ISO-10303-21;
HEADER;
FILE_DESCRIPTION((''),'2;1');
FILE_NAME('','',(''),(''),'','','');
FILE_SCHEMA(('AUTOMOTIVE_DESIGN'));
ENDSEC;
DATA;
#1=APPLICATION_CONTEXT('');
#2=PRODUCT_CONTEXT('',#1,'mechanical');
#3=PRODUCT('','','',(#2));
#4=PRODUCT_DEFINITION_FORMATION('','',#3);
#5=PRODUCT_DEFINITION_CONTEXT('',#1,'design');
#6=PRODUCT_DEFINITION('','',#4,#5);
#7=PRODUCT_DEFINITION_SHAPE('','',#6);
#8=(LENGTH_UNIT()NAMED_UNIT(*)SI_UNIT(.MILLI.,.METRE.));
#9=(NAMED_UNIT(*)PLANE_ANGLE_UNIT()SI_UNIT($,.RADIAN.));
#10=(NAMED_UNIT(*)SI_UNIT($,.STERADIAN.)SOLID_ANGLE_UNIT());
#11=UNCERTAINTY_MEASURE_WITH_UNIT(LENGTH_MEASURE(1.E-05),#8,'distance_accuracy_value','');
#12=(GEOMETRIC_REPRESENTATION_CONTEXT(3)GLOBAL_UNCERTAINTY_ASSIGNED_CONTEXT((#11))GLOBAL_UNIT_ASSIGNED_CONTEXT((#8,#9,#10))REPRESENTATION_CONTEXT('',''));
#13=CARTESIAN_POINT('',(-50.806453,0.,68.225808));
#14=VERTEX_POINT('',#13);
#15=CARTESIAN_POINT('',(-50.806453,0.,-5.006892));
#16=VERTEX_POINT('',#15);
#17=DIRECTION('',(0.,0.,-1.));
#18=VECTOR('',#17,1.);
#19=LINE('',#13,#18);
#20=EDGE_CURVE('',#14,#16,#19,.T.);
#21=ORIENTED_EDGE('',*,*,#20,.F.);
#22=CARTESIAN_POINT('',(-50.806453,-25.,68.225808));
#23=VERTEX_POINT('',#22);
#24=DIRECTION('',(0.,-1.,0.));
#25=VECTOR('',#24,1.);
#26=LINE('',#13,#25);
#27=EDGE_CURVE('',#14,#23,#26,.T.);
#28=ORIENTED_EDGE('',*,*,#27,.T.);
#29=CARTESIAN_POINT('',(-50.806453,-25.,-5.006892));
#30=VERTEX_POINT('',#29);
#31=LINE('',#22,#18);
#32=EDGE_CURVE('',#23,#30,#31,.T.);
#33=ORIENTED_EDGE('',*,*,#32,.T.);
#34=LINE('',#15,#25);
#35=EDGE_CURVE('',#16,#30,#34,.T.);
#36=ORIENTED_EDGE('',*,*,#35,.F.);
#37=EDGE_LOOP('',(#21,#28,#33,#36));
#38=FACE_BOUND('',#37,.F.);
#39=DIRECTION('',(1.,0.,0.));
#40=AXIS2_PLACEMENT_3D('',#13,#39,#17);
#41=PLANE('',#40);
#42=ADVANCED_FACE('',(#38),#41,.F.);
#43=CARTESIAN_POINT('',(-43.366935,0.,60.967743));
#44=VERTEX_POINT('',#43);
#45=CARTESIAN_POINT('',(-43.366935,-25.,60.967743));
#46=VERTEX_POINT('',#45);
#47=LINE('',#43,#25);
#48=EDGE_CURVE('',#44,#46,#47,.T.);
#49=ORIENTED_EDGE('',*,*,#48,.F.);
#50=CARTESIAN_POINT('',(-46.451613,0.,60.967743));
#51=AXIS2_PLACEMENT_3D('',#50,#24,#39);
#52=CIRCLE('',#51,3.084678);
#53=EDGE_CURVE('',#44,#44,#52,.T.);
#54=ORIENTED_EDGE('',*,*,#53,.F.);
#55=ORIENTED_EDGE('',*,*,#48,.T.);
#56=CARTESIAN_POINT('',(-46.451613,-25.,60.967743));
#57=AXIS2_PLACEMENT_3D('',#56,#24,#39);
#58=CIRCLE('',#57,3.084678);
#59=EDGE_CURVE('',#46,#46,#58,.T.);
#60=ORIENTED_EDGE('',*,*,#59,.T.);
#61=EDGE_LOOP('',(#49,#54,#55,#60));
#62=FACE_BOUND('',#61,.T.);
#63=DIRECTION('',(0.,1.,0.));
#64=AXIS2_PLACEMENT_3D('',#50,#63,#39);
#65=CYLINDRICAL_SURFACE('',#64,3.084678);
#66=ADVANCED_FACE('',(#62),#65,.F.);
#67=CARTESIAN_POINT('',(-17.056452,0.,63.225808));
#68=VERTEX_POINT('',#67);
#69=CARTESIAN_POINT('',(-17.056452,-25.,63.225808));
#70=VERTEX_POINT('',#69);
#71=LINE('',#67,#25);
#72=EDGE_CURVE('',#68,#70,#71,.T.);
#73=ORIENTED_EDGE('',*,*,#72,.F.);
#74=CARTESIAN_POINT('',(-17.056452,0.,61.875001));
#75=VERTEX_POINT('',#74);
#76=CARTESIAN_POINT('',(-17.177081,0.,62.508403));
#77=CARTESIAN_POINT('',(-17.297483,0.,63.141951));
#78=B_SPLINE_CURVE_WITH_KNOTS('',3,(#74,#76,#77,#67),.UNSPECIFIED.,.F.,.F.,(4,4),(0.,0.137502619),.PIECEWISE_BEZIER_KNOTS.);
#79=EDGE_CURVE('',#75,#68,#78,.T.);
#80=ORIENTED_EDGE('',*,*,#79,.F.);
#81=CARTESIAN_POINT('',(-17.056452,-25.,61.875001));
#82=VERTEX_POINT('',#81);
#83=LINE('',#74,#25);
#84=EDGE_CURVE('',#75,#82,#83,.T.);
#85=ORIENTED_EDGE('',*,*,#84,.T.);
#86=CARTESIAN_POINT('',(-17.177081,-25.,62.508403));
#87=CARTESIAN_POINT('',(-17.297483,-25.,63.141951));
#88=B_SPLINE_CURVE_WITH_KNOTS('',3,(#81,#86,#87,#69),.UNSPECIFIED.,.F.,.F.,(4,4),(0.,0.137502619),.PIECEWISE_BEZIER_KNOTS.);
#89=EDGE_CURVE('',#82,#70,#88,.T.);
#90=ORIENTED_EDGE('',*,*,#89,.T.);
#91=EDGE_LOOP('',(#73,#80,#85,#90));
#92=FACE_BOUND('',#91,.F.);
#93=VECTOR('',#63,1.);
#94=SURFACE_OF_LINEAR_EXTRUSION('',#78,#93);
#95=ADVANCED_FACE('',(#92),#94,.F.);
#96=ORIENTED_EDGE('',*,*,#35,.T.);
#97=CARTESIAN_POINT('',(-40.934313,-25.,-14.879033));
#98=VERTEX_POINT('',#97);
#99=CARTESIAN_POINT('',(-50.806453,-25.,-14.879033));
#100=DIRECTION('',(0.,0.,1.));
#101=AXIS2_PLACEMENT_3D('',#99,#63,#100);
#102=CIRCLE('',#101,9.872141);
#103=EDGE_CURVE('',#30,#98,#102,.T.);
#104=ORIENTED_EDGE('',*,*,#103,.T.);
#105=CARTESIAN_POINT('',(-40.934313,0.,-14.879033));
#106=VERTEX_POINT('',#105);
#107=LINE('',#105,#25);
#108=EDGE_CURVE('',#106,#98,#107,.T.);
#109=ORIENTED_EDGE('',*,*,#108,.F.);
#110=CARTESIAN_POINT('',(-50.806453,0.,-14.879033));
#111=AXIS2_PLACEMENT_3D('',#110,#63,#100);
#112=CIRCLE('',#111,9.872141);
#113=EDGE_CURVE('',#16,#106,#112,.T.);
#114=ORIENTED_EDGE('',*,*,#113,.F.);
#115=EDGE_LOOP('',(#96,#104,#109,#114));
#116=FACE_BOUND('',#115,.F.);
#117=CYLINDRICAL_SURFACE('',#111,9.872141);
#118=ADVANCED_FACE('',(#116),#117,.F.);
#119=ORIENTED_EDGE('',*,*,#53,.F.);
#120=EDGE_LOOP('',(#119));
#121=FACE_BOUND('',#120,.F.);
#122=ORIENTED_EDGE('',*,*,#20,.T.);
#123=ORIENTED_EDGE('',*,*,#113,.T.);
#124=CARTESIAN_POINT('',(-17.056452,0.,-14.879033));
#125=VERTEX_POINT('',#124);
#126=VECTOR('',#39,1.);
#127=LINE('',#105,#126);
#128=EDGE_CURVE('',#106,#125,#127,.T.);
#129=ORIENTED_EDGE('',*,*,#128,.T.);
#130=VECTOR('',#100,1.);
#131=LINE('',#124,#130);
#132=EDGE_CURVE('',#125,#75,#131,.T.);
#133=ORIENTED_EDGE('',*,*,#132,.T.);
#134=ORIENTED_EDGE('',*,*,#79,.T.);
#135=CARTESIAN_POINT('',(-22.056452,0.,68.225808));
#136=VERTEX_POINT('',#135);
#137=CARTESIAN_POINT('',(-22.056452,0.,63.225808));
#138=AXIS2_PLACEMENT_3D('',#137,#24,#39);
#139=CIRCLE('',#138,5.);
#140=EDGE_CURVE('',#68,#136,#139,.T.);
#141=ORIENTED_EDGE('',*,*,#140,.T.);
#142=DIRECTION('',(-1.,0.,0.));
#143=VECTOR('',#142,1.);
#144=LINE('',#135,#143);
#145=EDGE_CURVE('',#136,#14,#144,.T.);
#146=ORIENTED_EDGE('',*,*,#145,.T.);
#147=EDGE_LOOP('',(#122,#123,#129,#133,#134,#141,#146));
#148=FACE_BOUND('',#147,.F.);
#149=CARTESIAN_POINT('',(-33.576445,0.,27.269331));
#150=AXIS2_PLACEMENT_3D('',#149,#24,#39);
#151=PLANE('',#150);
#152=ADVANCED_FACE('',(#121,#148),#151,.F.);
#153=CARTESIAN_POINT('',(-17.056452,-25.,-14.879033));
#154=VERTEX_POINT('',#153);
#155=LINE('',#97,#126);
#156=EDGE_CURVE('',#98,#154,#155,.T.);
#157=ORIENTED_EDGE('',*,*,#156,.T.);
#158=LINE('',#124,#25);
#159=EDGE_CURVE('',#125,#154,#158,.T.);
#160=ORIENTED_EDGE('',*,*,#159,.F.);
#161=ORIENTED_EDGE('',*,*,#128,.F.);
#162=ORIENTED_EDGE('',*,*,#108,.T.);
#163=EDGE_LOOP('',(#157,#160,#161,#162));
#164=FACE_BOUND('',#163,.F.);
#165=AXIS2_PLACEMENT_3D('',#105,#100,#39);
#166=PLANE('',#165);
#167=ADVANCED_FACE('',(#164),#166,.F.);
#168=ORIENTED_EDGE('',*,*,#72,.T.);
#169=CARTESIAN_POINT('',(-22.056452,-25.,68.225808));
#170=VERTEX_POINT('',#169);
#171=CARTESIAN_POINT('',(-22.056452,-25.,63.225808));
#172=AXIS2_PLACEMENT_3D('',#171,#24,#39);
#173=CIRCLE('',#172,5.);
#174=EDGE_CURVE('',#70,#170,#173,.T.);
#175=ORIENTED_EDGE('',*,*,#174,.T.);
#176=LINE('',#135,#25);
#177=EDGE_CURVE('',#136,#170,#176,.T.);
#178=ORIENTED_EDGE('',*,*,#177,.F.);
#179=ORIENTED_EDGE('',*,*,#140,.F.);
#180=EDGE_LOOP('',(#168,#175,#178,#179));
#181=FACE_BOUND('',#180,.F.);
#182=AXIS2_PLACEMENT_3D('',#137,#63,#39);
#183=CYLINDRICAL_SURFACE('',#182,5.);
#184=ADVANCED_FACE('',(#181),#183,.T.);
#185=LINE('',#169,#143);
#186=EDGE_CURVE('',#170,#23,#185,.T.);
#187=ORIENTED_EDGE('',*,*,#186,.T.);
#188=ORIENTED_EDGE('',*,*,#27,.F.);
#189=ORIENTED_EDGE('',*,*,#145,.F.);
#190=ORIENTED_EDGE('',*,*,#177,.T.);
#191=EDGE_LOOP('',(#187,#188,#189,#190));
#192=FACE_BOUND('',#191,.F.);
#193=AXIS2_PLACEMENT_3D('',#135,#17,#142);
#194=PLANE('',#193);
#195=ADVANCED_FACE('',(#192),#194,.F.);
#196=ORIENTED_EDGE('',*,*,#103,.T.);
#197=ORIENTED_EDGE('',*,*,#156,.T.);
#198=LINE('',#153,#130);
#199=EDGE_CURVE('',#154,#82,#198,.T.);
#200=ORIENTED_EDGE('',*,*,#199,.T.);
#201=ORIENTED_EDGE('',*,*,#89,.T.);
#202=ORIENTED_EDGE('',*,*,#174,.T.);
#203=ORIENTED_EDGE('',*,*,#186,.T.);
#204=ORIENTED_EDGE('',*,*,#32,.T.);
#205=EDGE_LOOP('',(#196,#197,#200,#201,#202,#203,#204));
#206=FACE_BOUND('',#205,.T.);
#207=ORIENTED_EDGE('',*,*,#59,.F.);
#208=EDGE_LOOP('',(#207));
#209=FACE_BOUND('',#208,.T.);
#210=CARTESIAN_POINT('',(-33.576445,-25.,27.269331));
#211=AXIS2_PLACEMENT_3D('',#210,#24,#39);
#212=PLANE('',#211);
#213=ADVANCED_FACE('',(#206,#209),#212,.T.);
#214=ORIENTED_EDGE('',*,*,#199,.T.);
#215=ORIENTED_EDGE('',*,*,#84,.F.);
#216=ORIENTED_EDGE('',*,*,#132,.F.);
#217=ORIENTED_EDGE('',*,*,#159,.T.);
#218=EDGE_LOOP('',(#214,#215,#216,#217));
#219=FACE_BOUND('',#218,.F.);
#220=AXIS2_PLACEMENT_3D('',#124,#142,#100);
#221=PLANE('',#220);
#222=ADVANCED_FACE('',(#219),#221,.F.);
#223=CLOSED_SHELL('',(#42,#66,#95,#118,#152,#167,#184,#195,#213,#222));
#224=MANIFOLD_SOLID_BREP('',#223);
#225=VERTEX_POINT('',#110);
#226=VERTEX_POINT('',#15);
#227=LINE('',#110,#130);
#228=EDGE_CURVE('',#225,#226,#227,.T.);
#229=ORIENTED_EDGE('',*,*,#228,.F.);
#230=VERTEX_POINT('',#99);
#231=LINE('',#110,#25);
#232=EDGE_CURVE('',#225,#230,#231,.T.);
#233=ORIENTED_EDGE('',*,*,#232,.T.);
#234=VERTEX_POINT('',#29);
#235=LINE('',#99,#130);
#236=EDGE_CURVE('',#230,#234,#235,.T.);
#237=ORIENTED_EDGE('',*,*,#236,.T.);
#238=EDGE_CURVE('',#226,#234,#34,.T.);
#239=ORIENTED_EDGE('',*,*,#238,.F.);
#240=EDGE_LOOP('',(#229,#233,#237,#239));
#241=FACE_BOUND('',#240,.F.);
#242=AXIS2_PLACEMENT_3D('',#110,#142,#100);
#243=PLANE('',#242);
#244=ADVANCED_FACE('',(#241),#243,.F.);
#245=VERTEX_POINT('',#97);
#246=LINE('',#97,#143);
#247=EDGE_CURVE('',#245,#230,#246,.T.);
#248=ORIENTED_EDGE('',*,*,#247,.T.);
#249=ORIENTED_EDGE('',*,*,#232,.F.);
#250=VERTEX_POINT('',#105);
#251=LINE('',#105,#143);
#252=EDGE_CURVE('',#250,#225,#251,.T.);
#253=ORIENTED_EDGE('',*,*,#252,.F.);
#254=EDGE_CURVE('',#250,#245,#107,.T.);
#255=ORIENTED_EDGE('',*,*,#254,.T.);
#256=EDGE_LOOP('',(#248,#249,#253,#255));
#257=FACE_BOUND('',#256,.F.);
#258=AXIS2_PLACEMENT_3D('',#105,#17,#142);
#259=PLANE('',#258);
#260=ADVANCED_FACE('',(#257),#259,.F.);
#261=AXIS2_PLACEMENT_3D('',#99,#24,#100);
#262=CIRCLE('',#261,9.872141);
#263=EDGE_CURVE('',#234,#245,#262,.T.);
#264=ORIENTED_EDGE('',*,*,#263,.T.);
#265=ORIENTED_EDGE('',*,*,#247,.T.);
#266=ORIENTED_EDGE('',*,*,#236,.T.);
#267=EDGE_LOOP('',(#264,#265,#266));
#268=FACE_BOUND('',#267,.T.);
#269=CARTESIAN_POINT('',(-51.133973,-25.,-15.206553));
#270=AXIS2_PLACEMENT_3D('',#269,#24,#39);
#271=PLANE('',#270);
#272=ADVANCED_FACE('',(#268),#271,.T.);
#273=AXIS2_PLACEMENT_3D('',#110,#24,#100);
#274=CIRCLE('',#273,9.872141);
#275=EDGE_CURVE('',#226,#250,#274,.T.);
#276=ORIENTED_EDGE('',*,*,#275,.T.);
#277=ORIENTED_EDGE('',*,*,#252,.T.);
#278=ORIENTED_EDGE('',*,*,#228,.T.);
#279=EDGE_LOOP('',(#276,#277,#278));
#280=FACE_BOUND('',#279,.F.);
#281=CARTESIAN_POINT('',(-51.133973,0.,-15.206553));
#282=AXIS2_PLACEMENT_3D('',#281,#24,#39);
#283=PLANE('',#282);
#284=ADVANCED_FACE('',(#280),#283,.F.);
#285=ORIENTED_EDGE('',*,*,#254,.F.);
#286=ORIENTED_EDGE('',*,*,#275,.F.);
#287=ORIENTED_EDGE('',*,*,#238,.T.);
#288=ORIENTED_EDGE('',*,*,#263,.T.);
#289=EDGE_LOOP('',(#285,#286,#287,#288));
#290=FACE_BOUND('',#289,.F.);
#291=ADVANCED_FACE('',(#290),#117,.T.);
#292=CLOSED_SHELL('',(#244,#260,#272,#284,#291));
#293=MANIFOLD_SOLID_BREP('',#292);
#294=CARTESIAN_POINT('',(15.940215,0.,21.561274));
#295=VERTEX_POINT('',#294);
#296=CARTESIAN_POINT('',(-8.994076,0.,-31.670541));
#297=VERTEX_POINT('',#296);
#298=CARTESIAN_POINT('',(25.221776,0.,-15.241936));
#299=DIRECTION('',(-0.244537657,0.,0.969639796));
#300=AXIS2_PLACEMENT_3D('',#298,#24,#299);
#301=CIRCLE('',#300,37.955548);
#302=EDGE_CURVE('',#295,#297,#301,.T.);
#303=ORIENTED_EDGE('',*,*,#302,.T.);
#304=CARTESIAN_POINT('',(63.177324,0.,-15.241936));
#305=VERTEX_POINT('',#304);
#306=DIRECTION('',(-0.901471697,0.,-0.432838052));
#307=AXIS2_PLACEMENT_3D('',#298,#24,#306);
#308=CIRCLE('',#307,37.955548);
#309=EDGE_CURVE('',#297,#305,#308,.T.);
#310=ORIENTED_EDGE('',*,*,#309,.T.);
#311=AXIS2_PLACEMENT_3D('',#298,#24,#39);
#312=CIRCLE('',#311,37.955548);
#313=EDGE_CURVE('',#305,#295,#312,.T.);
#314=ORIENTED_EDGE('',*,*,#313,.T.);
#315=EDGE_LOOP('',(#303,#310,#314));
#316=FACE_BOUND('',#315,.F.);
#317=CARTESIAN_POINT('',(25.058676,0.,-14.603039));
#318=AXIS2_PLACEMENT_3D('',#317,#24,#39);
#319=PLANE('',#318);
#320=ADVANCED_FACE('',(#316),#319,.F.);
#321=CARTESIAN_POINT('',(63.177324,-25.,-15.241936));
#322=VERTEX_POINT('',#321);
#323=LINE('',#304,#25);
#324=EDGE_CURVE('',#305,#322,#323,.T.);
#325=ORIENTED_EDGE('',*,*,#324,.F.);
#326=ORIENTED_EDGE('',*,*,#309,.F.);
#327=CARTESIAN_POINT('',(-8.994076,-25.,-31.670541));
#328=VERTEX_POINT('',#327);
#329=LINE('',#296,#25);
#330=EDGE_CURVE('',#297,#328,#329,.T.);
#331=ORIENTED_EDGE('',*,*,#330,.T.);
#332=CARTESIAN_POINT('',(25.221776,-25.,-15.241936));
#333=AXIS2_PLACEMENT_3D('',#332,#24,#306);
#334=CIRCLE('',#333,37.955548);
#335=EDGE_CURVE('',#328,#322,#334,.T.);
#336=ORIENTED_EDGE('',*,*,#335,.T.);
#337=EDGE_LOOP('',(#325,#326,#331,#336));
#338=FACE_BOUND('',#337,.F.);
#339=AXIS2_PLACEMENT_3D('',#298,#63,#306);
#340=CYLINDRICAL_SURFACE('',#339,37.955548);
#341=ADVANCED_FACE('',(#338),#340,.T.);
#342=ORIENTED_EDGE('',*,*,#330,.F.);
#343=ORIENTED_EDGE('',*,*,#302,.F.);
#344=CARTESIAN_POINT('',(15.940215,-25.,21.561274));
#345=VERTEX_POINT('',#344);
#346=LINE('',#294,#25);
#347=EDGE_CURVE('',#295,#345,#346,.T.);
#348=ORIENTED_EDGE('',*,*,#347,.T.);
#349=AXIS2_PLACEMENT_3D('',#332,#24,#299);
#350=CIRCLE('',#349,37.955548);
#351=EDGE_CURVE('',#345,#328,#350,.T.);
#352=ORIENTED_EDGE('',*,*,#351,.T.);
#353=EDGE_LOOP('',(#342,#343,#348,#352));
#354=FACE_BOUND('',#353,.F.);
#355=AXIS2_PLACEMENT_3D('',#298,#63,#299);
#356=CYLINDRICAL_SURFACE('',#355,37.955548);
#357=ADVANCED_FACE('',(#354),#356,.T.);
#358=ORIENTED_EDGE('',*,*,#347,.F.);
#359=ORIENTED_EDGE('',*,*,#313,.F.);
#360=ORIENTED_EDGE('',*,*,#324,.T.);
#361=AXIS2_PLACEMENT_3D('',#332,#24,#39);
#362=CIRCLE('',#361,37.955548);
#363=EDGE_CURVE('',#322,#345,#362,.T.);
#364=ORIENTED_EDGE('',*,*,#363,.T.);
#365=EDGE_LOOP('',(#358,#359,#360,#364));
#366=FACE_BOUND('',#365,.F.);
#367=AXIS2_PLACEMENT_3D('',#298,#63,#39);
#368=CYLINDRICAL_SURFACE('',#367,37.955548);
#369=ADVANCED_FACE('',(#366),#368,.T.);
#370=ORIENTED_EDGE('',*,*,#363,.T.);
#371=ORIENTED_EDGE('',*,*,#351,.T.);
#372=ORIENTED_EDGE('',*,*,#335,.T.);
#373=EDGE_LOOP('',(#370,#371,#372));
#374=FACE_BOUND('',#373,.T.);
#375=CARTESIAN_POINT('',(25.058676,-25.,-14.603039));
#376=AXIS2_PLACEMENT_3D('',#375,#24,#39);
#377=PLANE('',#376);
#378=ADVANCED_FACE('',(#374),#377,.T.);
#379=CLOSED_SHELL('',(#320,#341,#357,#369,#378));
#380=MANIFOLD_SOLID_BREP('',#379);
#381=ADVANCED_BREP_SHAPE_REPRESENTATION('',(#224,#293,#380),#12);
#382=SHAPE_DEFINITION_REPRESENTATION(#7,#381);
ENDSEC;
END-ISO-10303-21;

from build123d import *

# Parameters (mm, degrees)
F1_DEPTH = 25
F0_R     = 3.0846782029


with BuildPart() as f1:
    # F0 (on Front) → F1 (new body)
    with BuildSketch(Plane.XZ):
        with BuildLine():
            ThreePointArc((15.940215423, 21.5612740448), (-9.1499095049, 0.8580905451), (-8.9940761195, -31.6705413332))
            ThreePointArc((-8.9940761195, -31.6705413332), (33.6462109509, -52.250752754), (63.177324287, -15.2419358492))
            ThreePointArc((63.177324287, -15.2419358492), (48.5491946598, 14.6989254958), (15.940215423, 21.5612740448))
        make_face()
    extrude(amount=F1_DEPTH)


with BuildPart() as f1b:
    # F0 (on Front) → F1, piece 2 (new body)
    with BuildSketch(Plane.XZ):
        with BuildLine():
            Line((-40.9343125656, -14.8790329695), (-17.0564521104, -14.8790329695))
            Line((-17.0564521104, -14.8790329695), (-17.0564521104, 61.875000596))
            add(Edge.make_bspline(
                [(-17.0564521104, 61.875000596), (-17.1770810796, 62.5084030386), (-17.2974830979, 63.141950965), (-17.0564521104, 63.2258084416)],
                knots=[0, 0, 0, 0, 0.1375026192, 0.1375026192, 0.1375026192, 0.1375026192], degree=3))
            ThreePointArc((-17.0564521104, 63.2258084416), (-18.5209182045, 66.7613423476), (-22.0564521104, 68.2258084416))
            Line((-22.0564521104, 68.2258084416), (-50.8064534515, 68.2258084416))
            Line((-50.8064534515, 68.2258084416), (-50.8064534515, -5.0068920836))
            ThreePointArc((-50.8064534515, -5.0068920836), (-43.8257956863, -7.8983752042), (-40.9343125656, -14.8790329695))
        make_face()
        with Locations((-46.451613307, 60.9677433968)):
            Circle(F0_R, mode=Mode.SUBTRACT)
    extrude(amount=F1_DEPTH)


with BuildPart() as f1c:
    # F0 (on Front) → F1, piece 3 (new body)
    with BuildSketch(Plane.XZ):
        with BuildLine():
            ThreePointArc((-50.8064534515, -5.0068920836), (-57.7871112168, -21.8596907347), (-40.9343125656, -14.8790329695))
            Line((-40.9343125656, -14.8790329695), (-50.8064534515, -14.8790329695))
            Line((-50.8064534515, -14.8790329695), (-50.8064534515, -5.0068920836))
        make_face()
    extrude(amount=F1_DEPTH)


solid = Compound([f1.part, f1b.part, f1c.part])
